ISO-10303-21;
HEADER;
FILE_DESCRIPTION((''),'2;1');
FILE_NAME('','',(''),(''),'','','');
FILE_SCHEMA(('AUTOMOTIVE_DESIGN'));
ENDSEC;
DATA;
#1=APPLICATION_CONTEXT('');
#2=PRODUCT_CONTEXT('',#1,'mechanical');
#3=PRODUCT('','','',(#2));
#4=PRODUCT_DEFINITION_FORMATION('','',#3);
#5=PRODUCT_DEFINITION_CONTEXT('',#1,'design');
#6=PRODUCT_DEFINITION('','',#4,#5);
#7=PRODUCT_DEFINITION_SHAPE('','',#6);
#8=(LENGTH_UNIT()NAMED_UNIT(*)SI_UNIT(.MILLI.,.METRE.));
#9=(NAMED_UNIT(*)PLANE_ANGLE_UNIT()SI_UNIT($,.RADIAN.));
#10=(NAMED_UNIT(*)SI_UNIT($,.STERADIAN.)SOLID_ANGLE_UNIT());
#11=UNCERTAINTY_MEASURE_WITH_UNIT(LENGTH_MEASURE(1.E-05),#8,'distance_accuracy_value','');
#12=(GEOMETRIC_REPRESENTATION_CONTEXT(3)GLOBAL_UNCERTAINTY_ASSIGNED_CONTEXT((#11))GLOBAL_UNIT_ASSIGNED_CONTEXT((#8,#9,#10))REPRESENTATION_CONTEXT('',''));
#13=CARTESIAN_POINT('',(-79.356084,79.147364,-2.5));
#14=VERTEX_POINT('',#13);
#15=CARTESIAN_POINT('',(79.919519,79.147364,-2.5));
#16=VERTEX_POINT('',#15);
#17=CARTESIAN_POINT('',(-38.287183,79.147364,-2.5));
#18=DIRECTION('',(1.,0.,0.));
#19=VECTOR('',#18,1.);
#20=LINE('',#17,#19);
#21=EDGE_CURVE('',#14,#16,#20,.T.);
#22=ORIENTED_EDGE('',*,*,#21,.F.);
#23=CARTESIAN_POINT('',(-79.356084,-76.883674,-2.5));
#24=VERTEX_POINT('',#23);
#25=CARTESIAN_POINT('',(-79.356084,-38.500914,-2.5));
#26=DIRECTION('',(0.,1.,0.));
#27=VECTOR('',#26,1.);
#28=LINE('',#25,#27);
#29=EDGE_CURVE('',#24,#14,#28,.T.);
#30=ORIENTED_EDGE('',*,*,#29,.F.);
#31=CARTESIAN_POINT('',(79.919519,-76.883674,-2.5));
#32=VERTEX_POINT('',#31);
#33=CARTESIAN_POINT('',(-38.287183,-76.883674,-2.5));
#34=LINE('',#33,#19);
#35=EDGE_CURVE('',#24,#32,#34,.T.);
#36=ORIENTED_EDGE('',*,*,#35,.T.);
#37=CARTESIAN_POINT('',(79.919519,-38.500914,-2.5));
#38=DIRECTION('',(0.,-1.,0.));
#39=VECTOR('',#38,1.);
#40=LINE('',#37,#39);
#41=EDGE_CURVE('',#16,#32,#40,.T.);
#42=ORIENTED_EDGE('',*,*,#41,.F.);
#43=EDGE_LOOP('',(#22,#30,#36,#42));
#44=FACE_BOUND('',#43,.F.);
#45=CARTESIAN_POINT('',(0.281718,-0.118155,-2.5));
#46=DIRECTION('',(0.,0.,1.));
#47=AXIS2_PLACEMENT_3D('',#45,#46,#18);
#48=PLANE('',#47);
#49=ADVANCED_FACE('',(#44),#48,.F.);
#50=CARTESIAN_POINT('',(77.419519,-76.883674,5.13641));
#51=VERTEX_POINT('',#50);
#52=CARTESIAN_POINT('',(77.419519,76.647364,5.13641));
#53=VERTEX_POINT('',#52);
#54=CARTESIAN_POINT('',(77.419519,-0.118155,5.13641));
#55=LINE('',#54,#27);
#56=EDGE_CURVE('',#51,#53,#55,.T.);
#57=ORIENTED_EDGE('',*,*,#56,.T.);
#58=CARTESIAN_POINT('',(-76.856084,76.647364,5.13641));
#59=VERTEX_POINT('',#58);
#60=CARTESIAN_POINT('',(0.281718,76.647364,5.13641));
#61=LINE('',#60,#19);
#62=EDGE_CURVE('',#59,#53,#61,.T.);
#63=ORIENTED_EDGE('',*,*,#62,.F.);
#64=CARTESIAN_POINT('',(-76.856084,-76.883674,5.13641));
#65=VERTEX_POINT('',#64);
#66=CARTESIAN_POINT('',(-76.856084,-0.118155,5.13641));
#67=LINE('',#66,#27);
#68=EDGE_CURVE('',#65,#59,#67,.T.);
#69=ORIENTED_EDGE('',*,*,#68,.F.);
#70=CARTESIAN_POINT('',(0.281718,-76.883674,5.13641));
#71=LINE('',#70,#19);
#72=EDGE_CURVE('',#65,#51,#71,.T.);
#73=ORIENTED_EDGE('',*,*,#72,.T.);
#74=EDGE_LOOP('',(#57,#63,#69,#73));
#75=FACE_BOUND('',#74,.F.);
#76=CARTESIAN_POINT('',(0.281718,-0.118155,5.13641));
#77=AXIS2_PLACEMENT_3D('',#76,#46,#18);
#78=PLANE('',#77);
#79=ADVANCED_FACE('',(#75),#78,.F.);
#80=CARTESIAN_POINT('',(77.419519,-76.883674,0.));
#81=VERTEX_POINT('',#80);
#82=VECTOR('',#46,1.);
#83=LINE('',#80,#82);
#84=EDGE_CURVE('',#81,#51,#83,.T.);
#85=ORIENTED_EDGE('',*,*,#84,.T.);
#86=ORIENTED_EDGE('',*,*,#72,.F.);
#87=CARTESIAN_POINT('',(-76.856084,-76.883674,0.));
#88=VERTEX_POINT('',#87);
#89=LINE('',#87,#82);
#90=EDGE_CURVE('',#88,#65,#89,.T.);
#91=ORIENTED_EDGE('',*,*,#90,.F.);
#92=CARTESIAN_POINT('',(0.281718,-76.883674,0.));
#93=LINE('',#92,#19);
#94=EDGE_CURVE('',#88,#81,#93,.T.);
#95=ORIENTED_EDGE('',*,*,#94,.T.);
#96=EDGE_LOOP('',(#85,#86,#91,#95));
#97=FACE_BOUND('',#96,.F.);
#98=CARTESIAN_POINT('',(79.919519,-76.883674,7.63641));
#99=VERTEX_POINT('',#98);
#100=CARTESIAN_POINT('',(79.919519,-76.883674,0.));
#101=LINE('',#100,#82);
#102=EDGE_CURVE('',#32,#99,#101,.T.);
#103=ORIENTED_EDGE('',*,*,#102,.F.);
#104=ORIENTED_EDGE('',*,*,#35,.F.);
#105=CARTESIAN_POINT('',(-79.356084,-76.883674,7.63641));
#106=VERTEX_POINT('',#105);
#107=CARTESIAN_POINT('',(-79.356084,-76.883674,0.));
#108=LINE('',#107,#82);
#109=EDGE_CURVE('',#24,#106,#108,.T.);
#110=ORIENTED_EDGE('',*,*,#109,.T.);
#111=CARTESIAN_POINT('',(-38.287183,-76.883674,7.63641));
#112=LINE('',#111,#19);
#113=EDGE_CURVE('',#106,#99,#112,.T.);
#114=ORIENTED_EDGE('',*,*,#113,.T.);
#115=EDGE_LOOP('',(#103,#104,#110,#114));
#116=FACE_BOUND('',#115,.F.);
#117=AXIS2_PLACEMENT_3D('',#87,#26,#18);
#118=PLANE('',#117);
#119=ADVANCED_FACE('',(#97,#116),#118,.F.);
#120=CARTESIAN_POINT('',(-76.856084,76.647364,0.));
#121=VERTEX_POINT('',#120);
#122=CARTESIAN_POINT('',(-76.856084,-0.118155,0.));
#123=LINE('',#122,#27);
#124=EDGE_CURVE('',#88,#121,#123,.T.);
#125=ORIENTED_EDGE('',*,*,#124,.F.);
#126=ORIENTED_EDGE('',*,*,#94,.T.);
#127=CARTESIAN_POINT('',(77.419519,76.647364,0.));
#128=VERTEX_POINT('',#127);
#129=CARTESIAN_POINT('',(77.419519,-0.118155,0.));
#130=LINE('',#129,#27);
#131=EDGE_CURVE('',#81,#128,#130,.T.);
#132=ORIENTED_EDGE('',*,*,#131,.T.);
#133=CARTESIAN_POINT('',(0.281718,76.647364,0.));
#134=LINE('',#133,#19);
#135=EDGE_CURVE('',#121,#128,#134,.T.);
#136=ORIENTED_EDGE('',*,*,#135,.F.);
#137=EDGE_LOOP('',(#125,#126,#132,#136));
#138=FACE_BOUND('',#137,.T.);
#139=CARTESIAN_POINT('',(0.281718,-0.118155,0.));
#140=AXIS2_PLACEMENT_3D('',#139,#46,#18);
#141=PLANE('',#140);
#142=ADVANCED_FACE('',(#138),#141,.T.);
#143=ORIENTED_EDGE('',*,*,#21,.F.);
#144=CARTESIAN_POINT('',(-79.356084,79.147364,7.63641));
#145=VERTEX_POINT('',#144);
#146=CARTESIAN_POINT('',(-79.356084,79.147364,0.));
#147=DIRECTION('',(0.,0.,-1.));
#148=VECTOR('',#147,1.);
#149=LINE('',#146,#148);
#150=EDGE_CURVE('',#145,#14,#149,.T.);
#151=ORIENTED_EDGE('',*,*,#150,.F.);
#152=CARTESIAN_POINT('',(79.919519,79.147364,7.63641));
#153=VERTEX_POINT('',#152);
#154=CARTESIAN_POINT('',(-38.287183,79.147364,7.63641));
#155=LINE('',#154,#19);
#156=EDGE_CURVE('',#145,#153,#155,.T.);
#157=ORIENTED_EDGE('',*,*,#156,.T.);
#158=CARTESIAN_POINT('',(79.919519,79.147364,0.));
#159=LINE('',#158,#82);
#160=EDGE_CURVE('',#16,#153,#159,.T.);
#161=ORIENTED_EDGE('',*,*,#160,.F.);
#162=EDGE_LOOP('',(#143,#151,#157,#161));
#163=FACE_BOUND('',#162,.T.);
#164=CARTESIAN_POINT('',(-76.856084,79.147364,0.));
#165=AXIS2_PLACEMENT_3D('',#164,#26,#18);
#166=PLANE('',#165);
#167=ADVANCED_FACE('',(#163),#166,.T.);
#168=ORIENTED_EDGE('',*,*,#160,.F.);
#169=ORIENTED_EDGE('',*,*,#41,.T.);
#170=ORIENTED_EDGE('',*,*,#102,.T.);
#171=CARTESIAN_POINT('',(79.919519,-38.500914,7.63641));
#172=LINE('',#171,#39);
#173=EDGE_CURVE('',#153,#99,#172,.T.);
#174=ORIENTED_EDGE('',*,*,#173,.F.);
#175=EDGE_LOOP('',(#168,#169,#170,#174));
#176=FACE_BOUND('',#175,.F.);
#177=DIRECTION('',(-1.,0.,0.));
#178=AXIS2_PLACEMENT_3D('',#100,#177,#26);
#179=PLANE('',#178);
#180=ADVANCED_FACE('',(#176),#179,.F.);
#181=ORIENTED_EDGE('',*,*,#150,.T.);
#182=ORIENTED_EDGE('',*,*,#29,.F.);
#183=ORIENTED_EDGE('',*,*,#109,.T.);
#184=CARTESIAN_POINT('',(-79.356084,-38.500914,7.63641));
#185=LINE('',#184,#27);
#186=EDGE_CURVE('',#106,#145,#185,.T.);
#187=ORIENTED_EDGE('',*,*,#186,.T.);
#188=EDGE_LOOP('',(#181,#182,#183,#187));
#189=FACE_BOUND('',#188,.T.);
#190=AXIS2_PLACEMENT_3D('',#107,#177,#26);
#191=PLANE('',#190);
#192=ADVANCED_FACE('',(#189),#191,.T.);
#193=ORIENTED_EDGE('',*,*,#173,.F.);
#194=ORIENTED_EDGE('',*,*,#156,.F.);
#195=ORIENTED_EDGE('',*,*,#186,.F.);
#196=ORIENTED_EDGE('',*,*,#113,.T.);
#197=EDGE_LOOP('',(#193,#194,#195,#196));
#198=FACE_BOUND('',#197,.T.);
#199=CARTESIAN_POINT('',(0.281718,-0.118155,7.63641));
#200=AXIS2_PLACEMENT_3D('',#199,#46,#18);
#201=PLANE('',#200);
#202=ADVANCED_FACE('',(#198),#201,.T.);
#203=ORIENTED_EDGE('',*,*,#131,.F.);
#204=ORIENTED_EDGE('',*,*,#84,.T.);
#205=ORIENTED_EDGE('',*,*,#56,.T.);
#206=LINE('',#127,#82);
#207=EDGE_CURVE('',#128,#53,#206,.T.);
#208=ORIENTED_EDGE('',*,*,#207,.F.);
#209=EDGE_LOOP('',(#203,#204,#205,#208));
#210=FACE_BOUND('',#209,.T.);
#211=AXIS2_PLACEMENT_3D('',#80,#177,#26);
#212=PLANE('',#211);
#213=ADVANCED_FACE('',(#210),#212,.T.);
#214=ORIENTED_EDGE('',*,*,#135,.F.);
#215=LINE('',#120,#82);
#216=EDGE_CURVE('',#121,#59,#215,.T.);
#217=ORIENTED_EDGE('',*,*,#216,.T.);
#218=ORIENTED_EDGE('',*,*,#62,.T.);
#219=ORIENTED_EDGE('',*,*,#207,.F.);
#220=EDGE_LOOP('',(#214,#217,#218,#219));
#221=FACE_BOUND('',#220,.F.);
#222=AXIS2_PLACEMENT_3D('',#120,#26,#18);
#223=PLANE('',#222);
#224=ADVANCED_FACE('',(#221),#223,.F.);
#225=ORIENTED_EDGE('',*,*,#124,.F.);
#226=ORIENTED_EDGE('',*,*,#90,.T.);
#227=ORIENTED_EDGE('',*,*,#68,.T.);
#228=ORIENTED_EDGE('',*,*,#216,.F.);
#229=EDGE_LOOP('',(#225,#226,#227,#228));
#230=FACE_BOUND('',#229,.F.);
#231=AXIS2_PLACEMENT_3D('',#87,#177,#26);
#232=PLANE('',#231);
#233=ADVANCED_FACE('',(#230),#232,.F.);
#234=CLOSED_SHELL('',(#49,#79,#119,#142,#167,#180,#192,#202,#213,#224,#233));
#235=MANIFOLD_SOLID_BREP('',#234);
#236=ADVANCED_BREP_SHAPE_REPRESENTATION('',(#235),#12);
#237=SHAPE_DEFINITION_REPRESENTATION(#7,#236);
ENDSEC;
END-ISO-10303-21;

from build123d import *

# Parameters (mm, degrees)
F0_R     = 74.9064703826
F1_DEPTH = 1.778
F2_W     = 154.2756035924
F2_H     = 153.531037271
F3_DEPTH = 5.13641
F4_T     = 2.5


with BuildPart() as f1:
    # F0 (on Top) → F1 (new body)
    with BuildSketch(Plane.XY):
        Circle(F0_R)
    extrude(amount=F1_DEPTH)

    # F2 (on Top) → F3 (join)
    with BuildSketch(Plane.XY):
        with Locations((0.2817176282, -0.1181550324)):
            Rectangle(F2_W, F2_H)
    extrude(amount=F3_DEPTH)

    # F4
    f4_openings = [f1.faces().sort_by_distance(p)[0] for p in [
        (0.281718, -76.883674, 2.568205),
    ]]
    offset(amount=F4_T, openings=f4_openings, kind=Kind.INTERSECTION)


solid = f1.part
